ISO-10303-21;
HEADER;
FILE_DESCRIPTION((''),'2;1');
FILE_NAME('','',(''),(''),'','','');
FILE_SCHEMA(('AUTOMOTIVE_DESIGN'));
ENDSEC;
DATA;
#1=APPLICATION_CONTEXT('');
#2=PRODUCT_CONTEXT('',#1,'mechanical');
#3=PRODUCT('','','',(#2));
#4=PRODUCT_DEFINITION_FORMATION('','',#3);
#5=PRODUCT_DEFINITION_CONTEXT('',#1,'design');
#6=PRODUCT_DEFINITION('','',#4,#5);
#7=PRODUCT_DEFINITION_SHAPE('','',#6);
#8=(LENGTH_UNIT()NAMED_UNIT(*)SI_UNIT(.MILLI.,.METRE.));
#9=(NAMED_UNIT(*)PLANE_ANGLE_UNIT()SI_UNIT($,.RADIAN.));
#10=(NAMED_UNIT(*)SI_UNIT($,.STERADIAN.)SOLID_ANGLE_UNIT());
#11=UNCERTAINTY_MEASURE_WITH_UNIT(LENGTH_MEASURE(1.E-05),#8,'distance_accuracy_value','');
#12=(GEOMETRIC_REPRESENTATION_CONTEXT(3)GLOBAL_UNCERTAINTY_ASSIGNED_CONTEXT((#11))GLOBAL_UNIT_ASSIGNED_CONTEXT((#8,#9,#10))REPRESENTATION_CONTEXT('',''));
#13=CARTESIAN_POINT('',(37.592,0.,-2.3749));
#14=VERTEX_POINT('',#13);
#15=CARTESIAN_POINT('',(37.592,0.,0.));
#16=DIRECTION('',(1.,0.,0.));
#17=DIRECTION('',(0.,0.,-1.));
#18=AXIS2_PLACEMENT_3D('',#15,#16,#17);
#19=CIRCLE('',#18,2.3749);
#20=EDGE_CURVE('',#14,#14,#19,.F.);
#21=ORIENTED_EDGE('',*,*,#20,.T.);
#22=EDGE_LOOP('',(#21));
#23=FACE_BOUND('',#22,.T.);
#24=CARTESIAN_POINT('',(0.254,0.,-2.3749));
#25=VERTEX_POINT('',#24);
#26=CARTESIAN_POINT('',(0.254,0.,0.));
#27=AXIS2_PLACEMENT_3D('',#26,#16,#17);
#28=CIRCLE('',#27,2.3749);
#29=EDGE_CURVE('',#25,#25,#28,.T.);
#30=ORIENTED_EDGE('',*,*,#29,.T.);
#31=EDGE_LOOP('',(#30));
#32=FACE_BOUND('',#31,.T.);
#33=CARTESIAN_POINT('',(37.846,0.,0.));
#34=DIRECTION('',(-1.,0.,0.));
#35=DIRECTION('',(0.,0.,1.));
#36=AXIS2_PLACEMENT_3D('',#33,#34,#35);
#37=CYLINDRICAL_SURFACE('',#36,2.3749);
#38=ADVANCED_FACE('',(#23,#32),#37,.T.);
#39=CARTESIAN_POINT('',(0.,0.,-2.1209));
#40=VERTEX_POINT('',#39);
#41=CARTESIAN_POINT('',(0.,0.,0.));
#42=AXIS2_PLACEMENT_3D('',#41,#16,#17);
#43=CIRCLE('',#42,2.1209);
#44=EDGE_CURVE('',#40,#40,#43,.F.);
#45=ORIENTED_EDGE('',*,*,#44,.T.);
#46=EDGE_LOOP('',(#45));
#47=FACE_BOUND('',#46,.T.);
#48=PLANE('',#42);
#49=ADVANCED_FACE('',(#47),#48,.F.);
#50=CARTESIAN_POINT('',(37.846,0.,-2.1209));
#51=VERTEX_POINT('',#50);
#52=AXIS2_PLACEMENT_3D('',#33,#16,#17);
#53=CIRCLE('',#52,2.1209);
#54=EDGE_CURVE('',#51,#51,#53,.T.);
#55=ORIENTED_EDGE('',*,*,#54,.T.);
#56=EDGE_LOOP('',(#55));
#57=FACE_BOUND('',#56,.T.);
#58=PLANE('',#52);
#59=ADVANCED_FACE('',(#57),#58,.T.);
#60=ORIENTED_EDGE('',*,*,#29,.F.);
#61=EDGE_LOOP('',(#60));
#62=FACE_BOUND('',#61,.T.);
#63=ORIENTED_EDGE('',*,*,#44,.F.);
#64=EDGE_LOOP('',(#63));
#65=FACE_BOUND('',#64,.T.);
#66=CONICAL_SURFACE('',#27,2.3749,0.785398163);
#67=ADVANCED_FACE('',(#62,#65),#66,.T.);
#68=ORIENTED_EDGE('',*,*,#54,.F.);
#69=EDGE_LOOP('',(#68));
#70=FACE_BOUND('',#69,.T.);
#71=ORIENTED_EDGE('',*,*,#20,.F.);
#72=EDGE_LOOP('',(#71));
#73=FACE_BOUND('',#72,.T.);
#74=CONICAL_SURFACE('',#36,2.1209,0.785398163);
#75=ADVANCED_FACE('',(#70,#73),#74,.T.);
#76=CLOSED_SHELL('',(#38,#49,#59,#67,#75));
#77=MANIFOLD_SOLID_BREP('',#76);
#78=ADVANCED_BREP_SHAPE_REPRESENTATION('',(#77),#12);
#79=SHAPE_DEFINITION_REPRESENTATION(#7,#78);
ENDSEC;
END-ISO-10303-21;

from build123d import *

# Parameters (mm, degrees)
SKETCH1_R      = 2.3749
EXTRUDE1_DEPTH = 37.846
CHAMFER1_SIZE  = 0.254


with BuildPart() as part:
    # Sketch1 → Extrude1 (new body)
    with BuildSketch(Plane(origin=(0, 0, 0), x_dir=(0, 0, -1), z_dir=(1, 0, 0))):
        Circle(SKETCH1_R)
    extrude(amount=EXTRUDE1_DEPTH)

    # Chamfer1
    chamfer1_edges = [part.edges().sort_by_distance(p)[0] for p in [
        (0, 0, 2.3749),
        (37.846, 0, 2.3749),
    ]]
    chamfer(chamfer1_edges, length=CHAMFER1_SIZE)


solid = part.part
